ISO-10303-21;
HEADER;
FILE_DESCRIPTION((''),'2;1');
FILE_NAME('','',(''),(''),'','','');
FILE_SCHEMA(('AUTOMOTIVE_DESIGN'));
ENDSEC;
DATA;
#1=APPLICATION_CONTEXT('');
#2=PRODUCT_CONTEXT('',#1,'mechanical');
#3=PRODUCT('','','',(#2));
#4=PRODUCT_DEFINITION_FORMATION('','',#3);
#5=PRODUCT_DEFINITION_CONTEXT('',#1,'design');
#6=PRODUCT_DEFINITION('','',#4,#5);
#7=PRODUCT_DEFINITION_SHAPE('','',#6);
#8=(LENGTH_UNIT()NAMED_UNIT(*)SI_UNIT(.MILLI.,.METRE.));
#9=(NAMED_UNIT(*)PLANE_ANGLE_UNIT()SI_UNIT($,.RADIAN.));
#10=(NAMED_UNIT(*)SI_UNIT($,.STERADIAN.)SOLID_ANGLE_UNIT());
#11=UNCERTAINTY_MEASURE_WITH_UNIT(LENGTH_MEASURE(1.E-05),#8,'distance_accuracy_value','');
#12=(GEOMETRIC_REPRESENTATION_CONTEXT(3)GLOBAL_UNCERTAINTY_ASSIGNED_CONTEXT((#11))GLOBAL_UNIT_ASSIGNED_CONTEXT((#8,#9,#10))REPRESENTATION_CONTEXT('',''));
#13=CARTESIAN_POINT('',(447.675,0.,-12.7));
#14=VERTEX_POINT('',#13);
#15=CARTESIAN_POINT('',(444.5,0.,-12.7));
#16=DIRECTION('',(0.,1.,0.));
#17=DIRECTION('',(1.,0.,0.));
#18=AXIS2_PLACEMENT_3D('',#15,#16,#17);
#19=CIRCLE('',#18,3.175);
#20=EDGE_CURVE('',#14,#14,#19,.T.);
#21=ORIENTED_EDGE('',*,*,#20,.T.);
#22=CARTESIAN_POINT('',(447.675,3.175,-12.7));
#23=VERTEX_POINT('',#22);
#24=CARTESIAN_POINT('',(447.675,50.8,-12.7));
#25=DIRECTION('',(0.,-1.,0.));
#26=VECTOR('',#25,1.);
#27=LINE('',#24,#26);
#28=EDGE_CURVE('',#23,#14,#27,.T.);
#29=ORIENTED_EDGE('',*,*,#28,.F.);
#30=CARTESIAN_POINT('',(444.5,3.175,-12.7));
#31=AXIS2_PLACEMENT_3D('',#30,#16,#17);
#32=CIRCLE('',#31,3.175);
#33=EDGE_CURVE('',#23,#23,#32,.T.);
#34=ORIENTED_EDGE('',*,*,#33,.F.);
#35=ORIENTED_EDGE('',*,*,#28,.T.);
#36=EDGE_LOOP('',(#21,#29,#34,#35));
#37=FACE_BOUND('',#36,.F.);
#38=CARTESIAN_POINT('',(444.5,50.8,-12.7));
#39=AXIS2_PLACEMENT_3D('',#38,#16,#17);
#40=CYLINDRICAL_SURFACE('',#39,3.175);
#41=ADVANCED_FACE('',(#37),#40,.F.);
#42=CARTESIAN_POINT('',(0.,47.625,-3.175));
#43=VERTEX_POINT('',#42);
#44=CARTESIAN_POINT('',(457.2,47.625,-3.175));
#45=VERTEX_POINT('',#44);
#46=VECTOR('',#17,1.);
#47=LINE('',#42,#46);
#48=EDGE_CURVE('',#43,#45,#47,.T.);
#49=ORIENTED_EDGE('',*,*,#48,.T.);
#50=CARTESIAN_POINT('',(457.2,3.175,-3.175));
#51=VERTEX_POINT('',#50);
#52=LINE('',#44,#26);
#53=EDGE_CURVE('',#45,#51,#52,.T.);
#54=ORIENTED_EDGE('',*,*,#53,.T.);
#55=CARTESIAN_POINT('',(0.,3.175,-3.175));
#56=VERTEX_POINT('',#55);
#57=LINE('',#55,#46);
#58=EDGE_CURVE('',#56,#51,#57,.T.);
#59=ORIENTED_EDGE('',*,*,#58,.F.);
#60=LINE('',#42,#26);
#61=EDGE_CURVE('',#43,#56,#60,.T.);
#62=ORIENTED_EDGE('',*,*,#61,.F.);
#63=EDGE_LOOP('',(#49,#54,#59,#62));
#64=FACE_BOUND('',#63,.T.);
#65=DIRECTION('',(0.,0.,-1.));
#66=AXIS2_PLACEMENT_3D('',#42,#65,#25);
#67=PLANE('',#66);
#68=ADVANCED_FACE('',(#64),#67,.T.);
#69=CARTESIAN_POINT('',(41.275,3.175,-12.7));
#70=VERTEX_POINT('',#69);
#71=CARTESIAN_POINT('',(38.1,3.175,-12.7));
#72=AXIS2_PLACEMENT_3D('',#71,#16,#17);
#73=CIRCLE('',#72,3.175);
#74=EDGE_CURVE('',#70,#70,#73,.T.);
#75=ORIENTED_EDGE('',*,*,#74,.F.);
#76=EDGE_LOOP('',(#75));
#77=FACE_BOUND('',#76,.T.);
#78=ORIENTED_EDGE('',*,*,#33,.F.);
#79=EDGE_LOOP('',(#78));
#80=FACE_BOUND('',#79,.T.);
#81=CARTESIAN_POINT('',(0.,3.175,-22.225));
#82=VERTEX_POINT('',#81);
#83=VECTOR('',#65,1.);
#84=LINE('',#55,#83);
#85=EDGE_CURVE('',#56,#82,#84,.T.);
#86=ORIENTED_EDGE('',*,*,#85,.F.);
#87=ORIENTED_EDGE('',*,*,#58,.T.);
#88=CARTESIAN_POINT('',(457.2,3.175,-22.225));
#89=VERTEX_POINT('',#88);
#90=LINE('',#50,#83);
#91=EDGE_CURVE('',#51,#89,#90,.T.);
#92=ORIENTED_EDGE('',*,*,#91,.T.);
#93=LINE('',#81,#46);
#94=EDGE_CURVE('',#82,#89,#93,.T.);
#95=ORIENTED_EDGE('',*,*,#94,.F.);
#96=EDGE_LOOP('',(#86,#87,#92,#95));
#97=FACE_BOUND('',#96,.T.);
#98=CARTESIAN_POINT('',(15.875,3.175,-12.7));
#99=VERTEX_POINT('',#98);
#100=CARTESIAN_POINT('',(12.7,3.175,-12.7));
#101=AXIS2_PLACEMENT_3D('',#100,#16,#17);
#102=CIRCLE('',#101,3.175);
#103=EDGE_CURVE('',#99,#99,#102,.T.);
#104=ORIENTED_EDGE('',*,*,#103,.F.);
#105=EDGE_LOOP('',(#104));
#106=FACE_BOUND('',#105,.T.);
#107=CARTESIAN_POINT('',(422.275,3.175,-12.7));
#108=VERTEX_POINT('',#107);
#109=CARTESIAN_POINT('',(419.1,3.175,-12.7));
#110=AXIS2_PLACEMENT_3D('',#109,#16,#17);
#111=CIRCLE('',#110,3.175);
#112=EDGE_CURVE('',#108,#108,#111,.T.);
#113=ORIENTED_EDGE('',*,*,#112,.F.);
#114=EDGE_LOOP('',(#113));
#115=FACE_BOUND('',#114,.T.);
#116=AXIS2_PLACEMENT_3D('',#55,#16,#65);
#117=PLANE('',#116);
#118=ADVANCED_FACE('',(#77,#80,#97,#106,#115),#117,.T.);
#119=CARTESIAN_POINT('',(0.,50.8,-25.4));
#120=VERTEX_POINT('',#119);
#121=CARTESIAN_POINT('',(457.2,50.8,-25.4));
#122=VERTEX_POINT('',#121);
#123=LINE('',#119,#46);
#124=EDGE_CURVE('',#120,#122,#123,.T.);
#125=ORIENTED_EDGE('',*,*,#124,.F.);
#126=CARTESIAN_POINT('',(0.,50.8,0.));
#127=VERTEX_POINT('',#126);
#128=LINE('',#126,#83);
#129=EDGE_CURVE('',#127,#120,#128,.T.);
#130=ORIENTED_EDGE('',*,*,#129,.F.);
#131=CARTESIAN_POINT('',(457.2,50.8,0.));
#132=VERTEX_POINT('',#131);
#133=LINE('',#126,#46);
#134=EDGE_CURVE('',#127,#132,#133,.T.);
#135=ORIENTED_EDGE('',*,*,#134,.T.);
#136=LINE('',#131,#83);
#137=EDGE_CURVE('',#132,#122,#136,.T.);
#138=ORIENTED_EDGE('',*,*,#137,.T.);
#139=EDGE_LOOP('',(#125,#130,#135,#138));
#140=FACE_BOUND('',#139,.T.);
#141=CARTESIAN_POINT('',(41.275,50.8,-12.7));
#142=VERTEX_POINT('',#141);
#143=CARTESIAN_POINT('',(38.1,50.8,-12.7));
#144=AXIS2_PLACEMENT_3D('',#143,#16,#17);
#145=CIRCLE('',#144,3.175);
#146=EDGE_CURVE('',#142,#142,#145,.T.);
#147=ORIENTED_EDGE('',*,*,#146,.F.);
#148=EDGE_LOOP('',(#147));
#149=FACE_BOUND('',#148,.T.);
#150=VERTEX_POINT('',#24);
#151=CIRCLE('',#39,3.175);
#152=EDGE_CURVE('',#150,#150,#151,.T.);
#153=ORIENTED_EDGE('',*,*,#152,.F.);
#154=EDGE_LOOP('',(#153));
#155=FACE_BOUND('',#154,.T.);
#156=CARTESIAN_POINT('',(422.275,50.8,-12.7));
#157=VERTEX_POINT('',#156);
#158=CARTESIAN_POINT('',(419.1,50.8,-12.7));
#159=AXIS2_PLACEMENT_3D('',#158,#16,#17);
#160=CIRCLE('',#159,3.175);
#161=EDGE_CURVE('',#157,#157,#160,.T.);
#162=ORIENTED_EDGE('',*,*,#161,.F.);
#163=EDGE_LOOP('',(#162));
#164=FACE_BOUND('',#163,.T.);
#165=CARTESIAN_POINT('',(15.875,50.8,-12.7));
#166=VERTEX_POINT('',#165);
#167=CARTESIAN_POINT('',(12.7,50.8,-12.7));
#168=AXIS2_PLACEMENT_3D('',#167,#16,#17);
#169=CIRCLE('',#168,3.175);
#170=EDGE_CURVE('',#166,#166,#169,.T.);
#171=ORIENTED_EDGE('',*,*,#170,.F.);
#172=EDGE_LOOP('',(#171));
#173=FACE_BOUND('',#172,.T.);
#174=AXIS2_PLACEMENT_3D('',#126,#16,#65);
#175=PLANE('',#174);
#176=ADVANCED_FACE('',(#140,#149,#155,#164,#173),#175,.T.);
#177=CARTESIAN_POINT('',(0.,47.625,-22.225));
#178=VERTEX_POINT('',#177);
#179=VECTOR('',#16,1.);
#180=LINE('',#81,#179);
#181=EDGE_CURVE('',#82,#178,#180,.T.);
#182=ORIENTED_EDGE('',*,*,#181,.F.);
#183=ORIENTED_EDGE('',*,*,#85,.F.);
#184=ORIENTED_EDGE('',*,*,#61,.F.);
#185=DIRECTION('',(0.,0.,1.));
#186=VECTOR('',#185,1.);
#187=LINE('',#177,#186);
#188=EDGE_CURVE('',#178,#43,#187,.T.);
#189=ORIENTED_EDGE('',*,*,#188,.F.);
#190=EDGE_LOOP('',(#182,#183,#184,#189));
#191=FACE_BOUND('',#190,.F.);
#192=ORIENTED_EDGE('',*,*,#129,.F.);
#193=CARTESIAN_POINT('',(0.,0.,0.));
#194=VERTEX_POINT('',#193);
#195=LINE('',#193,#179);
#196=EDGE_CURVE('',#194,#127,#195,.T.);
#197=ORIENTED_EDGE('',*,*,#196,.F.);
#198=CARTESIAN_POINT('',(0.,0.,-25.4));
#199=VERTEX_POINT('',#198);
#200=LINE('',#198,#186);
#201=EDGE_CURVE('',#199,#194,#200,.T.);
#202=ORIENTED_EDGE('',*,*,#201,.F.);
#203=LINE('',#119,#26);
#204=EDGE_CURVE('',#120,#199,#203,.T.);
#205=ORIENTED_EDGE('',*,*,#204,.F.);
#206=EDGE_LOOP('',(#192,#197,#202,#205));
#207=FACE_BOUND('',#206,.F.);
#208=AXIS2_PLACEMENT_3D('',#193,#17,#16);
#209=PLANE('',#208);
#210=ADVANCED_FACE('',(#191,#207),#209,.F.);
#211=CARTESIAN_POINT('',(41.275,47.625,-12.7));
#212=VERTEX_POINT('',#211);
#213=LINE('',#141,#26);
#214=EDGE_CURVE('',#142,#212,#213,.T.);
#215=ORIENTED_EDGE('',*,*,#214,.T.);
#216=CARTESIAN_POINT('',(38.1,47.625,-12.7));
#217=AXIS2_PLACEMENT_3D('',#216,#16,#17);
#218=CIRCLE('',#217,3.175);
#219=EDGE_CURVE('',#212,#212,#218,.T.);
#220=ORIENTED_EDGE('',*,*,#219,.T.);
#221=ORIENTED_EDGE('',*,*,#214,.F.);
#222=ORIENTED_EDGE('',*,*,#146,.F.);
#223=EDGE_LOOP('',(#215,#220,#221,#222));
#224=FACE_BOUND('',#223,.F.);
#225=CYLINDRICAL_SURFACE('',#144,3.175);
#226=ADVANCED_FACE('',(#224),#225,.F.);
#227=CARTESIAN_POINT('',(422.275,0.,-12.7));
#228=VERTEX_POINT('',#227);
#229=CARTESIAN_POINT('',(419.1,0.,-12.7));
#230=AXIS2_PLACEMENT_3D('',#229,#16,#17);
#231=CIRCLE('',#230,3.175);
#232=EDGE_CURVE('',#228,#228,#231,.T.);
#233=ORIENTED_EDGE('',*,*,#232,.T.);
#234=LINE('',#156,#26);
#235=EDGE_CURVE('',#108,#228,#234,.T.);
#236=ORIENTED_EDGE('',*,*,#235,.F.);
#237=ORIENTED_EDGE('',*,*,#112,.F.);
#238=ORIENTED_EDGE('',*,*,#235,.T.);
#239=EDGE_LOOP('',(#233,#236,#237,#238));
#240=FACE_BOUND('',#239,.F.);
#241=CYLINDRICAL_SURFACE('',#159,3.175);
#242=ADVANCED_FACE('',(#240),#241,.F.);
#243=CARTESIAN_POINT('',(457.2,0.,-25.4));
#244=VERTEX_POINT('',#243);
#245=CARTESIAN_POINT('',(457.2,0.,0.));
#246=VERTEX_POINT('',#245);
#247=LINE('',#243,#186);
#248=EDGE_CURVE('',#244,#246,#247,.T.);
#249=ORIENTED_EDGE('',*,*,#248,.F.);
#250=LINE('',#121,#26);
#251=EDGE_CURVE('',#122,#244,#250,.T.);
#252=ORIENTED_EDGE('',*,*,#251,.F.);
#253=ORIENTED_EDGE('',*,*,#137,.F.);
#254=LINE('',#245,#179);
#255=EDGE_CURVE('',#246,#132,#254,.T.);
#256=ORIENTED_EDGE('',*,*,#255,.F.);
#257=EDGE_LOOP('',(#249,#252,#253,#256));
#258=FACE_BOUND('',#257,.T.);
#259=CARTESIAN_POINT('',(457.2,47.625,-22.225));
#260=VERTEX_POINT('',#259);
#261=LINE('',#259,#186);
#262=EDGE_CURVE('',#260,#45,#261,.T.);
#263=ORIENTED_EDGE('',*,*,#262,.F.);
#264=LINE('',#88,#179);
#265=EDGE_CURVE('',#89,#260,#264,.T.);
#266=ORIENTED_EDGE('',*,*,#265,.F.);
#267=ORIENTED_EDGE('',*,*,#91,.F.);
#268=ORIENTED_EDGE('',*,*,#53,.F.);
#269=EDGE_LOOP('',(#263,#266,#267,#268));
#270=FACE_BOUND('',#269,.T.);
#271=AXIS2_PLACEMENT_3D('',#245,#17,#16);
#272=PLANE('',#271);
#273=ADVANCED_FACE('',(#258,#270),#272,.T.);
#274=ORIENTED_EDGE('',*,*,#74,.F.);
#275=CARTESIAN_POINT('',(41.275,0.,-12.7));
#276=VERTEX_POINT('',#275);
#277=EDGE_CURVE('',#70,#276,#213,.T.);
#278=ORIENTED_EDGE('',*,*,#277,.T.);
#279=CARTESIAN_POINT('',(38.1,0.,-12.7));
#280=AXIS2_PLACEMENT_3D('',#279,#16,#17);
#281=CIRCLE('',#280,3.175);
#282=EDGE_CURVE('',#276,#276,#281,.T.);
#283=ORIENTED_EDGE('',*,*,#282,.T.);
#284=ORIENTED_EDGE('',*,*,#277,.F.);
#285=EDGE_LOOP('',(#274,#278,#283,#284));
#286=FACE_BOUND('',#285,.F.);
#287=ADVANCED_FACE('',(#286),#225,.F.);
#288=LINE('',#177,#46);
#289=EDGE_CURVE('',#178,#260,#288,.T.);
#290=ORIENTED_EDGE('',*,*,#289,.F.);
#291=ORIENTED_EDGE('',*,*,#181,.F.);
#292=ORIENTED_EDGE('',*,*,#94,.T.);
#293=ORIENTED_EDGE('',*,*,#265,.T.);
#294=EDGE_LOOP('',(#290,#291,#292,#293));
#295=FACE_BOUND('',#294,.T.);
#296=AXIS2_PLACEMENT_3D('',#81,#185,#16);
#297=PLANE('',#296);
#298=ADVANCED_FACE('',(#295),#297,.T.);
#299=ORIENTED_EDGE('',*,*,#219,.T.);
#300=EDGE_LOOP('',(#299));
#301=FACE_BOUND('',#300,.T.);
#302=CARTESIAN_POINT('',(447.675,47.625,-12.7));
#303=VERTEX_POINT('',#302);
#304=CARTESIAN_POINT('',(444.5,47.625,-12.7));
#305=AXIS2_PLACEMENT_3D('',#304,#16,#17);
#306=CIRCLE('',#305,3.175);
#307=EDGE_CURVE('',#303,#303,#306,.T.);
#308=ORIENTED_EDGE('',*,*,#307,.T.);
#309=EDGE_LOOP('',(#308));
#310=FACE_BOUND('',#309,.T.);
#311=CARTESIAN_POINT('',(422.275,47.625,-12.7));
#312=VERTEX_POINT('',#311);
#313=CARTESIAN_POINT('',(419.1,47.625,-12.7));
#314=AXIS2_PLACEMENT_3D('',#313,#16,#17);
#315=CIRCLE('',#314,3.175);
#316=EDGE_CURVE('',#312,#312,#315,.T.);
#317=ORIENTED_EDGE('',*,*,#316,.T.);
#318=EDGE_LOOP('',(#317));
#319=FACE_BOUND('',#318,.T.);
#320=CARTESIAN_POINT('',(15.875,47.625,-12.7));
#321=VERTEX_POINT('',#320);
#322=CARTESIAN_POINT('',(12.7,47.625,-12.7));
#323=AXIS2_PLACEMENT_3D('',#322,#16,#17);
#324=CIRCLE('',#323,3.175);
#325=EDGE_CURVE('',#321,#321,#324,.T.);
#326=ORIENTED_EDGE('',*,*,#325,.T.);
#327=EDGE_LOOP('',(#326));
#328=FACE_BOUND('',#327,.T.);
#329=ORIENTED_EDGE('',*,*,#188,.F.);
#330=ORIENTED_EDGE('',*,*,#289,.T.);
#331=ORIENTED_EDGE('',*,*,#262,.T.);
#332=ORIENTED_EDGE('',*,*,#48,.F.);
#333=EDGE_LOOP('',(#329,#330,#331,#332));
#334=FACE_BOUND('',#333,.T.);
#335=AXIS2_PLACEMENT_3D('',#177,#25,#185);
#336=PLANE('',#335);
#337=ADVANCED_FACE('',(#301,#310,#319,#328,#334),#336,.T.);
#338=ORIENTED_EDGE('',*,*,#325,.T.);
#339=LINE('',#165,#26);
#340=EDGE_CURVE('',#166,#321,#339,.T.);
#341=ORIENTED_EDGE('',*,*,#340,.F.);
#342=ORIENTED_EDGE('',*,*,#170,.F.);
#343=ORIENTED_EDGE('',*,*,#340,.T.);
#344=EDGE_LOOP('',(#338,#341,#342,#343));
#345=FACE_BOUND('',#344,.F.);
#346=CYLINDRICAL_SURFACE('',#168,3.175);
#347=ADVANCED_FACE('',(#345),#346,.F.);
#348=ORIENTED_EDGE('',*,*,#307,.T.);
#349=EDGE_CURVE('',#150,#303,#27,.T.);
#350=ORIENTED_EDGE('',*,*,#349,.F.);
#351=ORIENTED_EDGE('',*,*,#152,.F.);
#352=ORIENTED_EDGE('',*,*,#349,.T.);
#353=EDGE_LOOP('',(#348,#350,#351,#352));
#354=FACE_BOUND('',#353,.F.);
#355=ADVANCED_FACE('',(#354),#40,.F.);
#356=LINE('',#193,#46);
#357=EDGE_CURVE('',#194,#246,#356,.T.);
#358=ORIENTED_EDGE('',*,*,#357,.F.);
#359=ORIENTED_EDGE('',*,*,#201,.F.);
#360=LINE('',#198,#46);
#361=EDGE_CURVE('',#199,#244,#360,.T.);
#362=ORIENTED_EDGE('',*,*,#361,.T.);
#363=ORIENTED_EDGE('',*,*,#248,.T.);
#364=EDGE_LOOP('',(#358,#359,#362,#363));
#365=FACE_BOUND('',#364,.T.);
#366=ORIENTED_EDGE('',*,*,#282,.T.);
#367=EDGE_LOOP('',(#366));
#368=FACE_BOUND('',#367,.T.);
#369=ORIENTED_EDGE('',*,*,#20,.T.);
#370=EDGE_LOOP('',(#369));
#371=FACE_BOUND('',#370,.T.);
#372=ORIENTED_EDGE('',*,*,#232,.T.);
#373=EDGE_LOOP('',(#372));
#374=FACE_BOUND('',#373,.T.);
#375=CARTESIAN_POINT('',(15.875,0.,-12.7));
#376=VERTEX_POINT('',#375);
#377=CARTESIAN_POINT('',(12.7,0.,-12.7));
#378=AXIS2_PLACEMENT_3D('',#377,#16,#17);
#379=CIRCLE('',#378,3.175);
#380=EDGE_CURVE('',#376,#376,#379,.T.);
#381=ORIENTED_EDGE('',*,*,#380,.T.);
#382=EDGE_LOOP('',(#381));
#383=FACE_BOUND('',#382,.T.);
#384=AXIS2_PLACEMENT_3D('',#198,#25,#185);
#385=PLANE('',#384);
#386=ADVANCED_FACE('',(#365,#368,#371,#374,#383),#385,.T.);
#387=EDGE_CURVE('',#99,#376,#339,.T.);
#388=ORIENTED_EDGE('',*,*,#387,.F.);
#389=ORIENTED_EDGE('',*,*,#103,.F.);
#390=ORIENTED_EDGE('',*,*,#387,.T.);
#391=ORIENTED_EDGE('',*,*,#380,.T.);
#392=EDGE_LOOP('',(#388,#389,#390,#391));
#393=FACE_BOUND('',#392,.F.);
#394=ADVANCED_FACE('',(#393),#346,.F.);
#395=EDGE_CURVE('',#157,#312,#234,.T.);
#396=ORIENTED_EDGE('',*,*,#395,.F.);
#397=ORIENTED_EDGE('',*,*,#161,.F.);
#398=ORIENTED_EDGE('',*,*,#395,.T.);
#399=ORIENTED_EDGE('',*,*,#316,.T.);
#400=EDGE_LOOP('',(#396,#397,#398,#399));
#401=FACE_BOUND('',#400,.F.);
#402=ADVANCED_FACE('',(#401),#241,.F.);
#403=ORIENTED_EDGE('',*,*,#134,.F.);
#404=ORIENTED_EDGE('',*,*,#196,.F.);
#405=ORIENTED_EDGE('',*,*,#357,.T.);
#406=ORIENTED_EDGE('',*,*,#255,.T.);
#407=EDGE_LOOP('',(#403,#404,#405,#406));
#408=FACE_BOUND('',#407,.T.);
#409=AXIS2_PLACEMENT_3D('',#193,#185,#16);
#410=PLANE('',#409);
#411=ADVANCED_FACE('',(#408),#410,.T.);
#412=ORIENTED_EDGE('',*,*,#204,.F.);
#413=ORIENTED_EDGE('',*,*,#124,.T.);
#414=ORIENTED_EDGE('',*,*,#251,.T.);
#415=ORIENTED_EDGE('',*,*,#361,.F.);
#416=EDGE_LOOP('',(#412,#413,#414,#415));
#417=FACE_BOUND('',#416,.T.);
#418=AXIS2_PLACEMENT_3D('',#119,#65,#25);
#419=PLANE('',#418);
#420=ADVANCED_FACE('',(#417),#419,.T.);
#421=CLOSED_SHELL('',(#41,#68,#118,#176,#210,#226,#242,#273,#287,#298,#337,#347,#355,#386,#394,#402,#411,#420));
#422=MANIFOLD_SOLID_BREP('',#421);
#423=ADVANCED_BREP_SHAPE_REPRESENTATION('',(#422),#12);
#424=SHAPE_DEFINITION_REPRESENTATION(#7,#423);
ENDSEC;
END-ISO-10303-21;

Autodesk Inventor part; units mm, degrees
ref_plane "YZ Plane" through (0, 0, 0) normal (1, 0, 0) x (0, 1, 0)
ref_plane "XZ Plane" through (0, 0, 0) normal (0, 1, 0) x (-1, 0, 0)
ref_plane "XY Plane" through (0, 0, 0) normal (0, 0, 1) x (1, 0, 0)
sketch "Sketch1" plane through (0, 0, 0) normal (1, 0, 0) x (0, 1, 0)
  line L0 (0, 0) -> (50.8, 0)
  line L1 (50.8, 0) -> (50.8, -25.4)
  line L2 (50.8, -25.4) -> (0, -25.4)
  line L3 (0, -25.4) -> (0, 0)
  line L4 (47.625, -22.225) -> (47.625, -3.175)
  line L5 (47.625, -3.175) -> (3.175, -3.175)
  line L6 (3.175, -3.175) -> (3.175, -22.225)
  line L7 (3.175, -22.225) -> (47.625, -22.225)
  dimension "d0" = 50.8
  dimension "d1" = 25.4
  dimension "d2" = 3.175
extrude "Extrusion1" add sketch "Sketch1" along normal blind 457.2
sketch "Sketch2" plane through (0, 50.8, 0) normal (0, 1, 0) x (1, 0, 0)
  circle A0 centre (419.1, -332.2693) radius 3.175 projected
  circle A1 centre (444.5, -332.2693) radius 3.175 projected
  circle A2 centre (469.9, -281.4693) radius 3.175 projected
  circle A3 centre (469.9, -306.8693) radius 3.175 projected
  circle A4 centre (469.9, -357.6693) radius 3.175 projected
  circle A5 centre (469.9, -383.0693) radius 3.175 projected
  circle A6 centre (469.9, -332.2693) radius 3.175 projected
  line L0 (481.0125, -276.7068) -> (477.8375, -273.5318) projected
  line L1 (477.8375, -273.5318) -> (461.9625, -273.5318) projected
  line L2 (461.9625, -273.5318) -> (458.7875, -276.7068) projected
  line L3 (458.7875, -276.7068) -> (458.7875, -295.7568) projected
  arc A7 (433.3875, -321.1568) -> (458.7875, -295.7568) centre (433.3875, -295.7568) ccw projected
  line L4 (433.3875, -321.1568) -> (414.3375, -321.1568) projected
  line L5 (414.3375, -321.1568) -> (411.1625, -324.3318) projected
  line L6 (411.1625, -324.3318) -> (411.1625, -340.2068) projected
  line L7 (411.1625, -340.2068) -> (414.3375, -343.3818) projected
  line L8 (414.3375, -343.3818) -> (433.3875, -343.3818) projected
  arc A8 (458.7875, -368.7818) -> (433.3875, -343.3818) centre (433.3875, -368.7818) ccw projected
  line L9 (458.7875, -368.7818) -> (458.7875, -387.8318) projected
  line L10 (458.7875, -387.8318) -> (461.9625, -391.0068) projected
  line L11 (461.9625, -391.0068) -> (477.8375, -391.0068) projected
  line L12 (477.8375, -391.0068) -> (481.0125, -387.8318) projected
  line L13 (481.0125, -387.8318) -> (481.0125, -276.7068) projected
  circle A9 centre (38.1, -332.2693) radius 3.175 projected
  circle A10 centre (12.7, -332.2693) radius 3.175 projected
  circle A11 centre (-12.7, -281.4693) radius 3.175 projected
  circle A12 centre (-12.7, -306.8693) radius 3.175 projected
  circle A13 centre (-12.7, -357.6693) radius 3.175 projected
  circle A14 centre (-12.7, -383.0693) radius 3.175 projected
  circle A15 centre (-12.7, -332.2693) radius 3.175 projected
  line L14 (-23.8125, -276.7068) -> (-20.6375, -273.5318) projected
  line L15 (-23.8125, -387.8318) -> (-23.8125, -276.7068) projected
  line L16 (-20.6375, -391.0068) -> (-23.8125, -387.8318) projected
  line L17 (-4.7625, -391.0068) -> (-20.6375, -391.0068) projected
  line L18 (-1.5875, -387.8318) -> (-4.7625, -391.0068) projected
  line L19 (-1.5875, -368.7818) -> (-1.5875, -387.8318) projected
  arc A16 (23.8125, -343.3818) -> (-1.5875, -368.7818) centre (23.8125, -368.7818) ccw projected
  line L20 (42.8625, -343.3818) -> (23.8125, -343.3818) projected
  line L21 (46.0375, -340.2068) -> (42.8625, -343.3818) projected
  line L22 (46.0375, -324.3318) -> (46.0375, -340.2068) projected
  line L23 (42.8625, -321.1568) -> (46.0375, -324.3318) projected
  line L24 (23.8125, -321.1568) -> (42.8625, -321.1568) projected
  arc A17 (-1.5875, -295.7568) -> (23.8125, -321.1568) centre (23.8125, -295.7568) ccw projected
  line L25 (-1.5875, -276.7068) -> (-1.5875, -295.7568) projected
  line L26 (-4.7625, -273.5318) -> (-1.5875, -276.7068) projected
  line L27 (-20.6375, -273.5318) -> (-4.7625, -273.5318) projected
  circle A18 centre (419.1, 12.7) radius 3.175 projected
  circle A19 centre (444.5, 12.7) radius 3.175 projected
  circle A20 centre (469.9, -38.1) radius 3.175 projected
  circle A21 centre (469.9, -12.7) radius 3.175 projected
  circle A22 centre (469.9, 38.1) radius 3.175 projected
  circle A23 centre (469.9, 63.5) radius 3.175 projected
  circle A24 centre (469.9, 12.7) radius 3.175 projected
  line L28 (481.0125, -42.8625) -> (477.8375, -46.0375) projected
  line L29 (481.0125, 68.2625) -> (481.0125, -42.8625) projected
  line L30 (477.8375, 71.4375) -> (481.0125, 68.2625) projected
  line L31 (461.9625, 71.4375) -> (477.8375, 71.4375) projected
  line L32 (458.7875, 68.2625) -> (461.9625, 71.4375) projected
  line L33 (458.7875, 49.2125) -> (458.7875, 68.2625) projected
  arc A25 (433.3875, 23.8125) -> (458.7875, 49.2125) centre (433.3875, 49.2125) ccw projected
  line L34 (414.3375, 23.8125) -> (433.3875, 23.8125) projected
  line L35 (411.1625, 20.6375) -> (414.3375, 23.8125) projected
  line L36 (411.1625, 4.7625) -> (411.1625, 20.6375) projected
  line L37 (414.3375, 1.5875) -> (411.1625, 4.7625) projected
  line L38 (433.3875, 1.5875) -> (414.3375, 1.5875) projected
  arc A26 (458.7875, -23.8125) -> (433.3875, 1.5875) centre (433.3875, -23.8125) ccw projected
  line L39 (458.7875, -42.8625) -> (458.7875, -23.8125) projected
  line L40 (461.9625, -46.0375) -> (458.7875, -42.8625) projected
  line L41 (477.8375, -46.0375) -> (461.9625, -46.0375) projected
  circle A27 centre (38.1, 12.7) radius 3.175 projected
  circle A28 centre (12.7, 12.7) radius 3.175 projected
  circle A29 centre (-12.7, -38.1) radius 3.175 projected
  circle A30 centre (-12.7, -12.7) radius 3.175 projected
  circle A31 centre (-12.7, 38.1) radius 3.175 projected
  circle A32 centre (-12.7, 63.5) radius 3.175 projected
  circle A33 centre (-12.7, 12.7) radius 3.175 projected
  line L42 (-23.8125, -42.8625) -> (-20.6375, -46.0375) projected
  line L43 (-20.6375, -46.0375) -> (-4.7625, -46.0375) projected
  line L44 (-4.7625, -46.0375) -> (-1.5875, -42.8625) projected
  line L45 (-1.5875, -42.8625) -> (-1.5875, -23.8125) projected
  arc A34 (23.8125, 1.5875) -> (-1.5875, -23.8125) centre (23.8125, -23.8125) ccw projected
  line L46 (23.8125, 1.5875) -> (42.8625, 1.5875) projected
  line L47 (42.8625, 1.5875) -> (46.0375, 4.7625) projected
  line L48 (46.0375, 4.7625) -> (46.0375, 20.6375) projected
  line L49 (46.0375, 20.6375) -> (42.8625, 23.8125) projected
  line L50 (42.8625, 23.8125) -> (23.8125, 23.8125) projected
  arc A35 (-1.5875, 49.2125) -> (23.8125, 23.8125) centre (23.8125, 49.2125) ccw projected
  line L51 (-1.5875, 49.2125) -> (-1.5875, 68.2625) projected
  line L52 (-1.5875, 68.2625) -> (-4.7625, 71.4375) projected
  line L53 (-4.7625, 71.4375) -> (-20.6375, 71.4375) projected
  line L54 (-20.6375, 71.4375) -> (-23.8125, 68.2625) projected
  line L55 (-23.8125, 68.2625) -> (-23.8125, -42.8625) projected
  point P0 (0, 0)
extrude "Extrusion2" cut sketch "Sketch2" against normal blind 50.8 contours A18 | A19 | A27 | A28
properties part number "2x1 boxbeam 18 in"
